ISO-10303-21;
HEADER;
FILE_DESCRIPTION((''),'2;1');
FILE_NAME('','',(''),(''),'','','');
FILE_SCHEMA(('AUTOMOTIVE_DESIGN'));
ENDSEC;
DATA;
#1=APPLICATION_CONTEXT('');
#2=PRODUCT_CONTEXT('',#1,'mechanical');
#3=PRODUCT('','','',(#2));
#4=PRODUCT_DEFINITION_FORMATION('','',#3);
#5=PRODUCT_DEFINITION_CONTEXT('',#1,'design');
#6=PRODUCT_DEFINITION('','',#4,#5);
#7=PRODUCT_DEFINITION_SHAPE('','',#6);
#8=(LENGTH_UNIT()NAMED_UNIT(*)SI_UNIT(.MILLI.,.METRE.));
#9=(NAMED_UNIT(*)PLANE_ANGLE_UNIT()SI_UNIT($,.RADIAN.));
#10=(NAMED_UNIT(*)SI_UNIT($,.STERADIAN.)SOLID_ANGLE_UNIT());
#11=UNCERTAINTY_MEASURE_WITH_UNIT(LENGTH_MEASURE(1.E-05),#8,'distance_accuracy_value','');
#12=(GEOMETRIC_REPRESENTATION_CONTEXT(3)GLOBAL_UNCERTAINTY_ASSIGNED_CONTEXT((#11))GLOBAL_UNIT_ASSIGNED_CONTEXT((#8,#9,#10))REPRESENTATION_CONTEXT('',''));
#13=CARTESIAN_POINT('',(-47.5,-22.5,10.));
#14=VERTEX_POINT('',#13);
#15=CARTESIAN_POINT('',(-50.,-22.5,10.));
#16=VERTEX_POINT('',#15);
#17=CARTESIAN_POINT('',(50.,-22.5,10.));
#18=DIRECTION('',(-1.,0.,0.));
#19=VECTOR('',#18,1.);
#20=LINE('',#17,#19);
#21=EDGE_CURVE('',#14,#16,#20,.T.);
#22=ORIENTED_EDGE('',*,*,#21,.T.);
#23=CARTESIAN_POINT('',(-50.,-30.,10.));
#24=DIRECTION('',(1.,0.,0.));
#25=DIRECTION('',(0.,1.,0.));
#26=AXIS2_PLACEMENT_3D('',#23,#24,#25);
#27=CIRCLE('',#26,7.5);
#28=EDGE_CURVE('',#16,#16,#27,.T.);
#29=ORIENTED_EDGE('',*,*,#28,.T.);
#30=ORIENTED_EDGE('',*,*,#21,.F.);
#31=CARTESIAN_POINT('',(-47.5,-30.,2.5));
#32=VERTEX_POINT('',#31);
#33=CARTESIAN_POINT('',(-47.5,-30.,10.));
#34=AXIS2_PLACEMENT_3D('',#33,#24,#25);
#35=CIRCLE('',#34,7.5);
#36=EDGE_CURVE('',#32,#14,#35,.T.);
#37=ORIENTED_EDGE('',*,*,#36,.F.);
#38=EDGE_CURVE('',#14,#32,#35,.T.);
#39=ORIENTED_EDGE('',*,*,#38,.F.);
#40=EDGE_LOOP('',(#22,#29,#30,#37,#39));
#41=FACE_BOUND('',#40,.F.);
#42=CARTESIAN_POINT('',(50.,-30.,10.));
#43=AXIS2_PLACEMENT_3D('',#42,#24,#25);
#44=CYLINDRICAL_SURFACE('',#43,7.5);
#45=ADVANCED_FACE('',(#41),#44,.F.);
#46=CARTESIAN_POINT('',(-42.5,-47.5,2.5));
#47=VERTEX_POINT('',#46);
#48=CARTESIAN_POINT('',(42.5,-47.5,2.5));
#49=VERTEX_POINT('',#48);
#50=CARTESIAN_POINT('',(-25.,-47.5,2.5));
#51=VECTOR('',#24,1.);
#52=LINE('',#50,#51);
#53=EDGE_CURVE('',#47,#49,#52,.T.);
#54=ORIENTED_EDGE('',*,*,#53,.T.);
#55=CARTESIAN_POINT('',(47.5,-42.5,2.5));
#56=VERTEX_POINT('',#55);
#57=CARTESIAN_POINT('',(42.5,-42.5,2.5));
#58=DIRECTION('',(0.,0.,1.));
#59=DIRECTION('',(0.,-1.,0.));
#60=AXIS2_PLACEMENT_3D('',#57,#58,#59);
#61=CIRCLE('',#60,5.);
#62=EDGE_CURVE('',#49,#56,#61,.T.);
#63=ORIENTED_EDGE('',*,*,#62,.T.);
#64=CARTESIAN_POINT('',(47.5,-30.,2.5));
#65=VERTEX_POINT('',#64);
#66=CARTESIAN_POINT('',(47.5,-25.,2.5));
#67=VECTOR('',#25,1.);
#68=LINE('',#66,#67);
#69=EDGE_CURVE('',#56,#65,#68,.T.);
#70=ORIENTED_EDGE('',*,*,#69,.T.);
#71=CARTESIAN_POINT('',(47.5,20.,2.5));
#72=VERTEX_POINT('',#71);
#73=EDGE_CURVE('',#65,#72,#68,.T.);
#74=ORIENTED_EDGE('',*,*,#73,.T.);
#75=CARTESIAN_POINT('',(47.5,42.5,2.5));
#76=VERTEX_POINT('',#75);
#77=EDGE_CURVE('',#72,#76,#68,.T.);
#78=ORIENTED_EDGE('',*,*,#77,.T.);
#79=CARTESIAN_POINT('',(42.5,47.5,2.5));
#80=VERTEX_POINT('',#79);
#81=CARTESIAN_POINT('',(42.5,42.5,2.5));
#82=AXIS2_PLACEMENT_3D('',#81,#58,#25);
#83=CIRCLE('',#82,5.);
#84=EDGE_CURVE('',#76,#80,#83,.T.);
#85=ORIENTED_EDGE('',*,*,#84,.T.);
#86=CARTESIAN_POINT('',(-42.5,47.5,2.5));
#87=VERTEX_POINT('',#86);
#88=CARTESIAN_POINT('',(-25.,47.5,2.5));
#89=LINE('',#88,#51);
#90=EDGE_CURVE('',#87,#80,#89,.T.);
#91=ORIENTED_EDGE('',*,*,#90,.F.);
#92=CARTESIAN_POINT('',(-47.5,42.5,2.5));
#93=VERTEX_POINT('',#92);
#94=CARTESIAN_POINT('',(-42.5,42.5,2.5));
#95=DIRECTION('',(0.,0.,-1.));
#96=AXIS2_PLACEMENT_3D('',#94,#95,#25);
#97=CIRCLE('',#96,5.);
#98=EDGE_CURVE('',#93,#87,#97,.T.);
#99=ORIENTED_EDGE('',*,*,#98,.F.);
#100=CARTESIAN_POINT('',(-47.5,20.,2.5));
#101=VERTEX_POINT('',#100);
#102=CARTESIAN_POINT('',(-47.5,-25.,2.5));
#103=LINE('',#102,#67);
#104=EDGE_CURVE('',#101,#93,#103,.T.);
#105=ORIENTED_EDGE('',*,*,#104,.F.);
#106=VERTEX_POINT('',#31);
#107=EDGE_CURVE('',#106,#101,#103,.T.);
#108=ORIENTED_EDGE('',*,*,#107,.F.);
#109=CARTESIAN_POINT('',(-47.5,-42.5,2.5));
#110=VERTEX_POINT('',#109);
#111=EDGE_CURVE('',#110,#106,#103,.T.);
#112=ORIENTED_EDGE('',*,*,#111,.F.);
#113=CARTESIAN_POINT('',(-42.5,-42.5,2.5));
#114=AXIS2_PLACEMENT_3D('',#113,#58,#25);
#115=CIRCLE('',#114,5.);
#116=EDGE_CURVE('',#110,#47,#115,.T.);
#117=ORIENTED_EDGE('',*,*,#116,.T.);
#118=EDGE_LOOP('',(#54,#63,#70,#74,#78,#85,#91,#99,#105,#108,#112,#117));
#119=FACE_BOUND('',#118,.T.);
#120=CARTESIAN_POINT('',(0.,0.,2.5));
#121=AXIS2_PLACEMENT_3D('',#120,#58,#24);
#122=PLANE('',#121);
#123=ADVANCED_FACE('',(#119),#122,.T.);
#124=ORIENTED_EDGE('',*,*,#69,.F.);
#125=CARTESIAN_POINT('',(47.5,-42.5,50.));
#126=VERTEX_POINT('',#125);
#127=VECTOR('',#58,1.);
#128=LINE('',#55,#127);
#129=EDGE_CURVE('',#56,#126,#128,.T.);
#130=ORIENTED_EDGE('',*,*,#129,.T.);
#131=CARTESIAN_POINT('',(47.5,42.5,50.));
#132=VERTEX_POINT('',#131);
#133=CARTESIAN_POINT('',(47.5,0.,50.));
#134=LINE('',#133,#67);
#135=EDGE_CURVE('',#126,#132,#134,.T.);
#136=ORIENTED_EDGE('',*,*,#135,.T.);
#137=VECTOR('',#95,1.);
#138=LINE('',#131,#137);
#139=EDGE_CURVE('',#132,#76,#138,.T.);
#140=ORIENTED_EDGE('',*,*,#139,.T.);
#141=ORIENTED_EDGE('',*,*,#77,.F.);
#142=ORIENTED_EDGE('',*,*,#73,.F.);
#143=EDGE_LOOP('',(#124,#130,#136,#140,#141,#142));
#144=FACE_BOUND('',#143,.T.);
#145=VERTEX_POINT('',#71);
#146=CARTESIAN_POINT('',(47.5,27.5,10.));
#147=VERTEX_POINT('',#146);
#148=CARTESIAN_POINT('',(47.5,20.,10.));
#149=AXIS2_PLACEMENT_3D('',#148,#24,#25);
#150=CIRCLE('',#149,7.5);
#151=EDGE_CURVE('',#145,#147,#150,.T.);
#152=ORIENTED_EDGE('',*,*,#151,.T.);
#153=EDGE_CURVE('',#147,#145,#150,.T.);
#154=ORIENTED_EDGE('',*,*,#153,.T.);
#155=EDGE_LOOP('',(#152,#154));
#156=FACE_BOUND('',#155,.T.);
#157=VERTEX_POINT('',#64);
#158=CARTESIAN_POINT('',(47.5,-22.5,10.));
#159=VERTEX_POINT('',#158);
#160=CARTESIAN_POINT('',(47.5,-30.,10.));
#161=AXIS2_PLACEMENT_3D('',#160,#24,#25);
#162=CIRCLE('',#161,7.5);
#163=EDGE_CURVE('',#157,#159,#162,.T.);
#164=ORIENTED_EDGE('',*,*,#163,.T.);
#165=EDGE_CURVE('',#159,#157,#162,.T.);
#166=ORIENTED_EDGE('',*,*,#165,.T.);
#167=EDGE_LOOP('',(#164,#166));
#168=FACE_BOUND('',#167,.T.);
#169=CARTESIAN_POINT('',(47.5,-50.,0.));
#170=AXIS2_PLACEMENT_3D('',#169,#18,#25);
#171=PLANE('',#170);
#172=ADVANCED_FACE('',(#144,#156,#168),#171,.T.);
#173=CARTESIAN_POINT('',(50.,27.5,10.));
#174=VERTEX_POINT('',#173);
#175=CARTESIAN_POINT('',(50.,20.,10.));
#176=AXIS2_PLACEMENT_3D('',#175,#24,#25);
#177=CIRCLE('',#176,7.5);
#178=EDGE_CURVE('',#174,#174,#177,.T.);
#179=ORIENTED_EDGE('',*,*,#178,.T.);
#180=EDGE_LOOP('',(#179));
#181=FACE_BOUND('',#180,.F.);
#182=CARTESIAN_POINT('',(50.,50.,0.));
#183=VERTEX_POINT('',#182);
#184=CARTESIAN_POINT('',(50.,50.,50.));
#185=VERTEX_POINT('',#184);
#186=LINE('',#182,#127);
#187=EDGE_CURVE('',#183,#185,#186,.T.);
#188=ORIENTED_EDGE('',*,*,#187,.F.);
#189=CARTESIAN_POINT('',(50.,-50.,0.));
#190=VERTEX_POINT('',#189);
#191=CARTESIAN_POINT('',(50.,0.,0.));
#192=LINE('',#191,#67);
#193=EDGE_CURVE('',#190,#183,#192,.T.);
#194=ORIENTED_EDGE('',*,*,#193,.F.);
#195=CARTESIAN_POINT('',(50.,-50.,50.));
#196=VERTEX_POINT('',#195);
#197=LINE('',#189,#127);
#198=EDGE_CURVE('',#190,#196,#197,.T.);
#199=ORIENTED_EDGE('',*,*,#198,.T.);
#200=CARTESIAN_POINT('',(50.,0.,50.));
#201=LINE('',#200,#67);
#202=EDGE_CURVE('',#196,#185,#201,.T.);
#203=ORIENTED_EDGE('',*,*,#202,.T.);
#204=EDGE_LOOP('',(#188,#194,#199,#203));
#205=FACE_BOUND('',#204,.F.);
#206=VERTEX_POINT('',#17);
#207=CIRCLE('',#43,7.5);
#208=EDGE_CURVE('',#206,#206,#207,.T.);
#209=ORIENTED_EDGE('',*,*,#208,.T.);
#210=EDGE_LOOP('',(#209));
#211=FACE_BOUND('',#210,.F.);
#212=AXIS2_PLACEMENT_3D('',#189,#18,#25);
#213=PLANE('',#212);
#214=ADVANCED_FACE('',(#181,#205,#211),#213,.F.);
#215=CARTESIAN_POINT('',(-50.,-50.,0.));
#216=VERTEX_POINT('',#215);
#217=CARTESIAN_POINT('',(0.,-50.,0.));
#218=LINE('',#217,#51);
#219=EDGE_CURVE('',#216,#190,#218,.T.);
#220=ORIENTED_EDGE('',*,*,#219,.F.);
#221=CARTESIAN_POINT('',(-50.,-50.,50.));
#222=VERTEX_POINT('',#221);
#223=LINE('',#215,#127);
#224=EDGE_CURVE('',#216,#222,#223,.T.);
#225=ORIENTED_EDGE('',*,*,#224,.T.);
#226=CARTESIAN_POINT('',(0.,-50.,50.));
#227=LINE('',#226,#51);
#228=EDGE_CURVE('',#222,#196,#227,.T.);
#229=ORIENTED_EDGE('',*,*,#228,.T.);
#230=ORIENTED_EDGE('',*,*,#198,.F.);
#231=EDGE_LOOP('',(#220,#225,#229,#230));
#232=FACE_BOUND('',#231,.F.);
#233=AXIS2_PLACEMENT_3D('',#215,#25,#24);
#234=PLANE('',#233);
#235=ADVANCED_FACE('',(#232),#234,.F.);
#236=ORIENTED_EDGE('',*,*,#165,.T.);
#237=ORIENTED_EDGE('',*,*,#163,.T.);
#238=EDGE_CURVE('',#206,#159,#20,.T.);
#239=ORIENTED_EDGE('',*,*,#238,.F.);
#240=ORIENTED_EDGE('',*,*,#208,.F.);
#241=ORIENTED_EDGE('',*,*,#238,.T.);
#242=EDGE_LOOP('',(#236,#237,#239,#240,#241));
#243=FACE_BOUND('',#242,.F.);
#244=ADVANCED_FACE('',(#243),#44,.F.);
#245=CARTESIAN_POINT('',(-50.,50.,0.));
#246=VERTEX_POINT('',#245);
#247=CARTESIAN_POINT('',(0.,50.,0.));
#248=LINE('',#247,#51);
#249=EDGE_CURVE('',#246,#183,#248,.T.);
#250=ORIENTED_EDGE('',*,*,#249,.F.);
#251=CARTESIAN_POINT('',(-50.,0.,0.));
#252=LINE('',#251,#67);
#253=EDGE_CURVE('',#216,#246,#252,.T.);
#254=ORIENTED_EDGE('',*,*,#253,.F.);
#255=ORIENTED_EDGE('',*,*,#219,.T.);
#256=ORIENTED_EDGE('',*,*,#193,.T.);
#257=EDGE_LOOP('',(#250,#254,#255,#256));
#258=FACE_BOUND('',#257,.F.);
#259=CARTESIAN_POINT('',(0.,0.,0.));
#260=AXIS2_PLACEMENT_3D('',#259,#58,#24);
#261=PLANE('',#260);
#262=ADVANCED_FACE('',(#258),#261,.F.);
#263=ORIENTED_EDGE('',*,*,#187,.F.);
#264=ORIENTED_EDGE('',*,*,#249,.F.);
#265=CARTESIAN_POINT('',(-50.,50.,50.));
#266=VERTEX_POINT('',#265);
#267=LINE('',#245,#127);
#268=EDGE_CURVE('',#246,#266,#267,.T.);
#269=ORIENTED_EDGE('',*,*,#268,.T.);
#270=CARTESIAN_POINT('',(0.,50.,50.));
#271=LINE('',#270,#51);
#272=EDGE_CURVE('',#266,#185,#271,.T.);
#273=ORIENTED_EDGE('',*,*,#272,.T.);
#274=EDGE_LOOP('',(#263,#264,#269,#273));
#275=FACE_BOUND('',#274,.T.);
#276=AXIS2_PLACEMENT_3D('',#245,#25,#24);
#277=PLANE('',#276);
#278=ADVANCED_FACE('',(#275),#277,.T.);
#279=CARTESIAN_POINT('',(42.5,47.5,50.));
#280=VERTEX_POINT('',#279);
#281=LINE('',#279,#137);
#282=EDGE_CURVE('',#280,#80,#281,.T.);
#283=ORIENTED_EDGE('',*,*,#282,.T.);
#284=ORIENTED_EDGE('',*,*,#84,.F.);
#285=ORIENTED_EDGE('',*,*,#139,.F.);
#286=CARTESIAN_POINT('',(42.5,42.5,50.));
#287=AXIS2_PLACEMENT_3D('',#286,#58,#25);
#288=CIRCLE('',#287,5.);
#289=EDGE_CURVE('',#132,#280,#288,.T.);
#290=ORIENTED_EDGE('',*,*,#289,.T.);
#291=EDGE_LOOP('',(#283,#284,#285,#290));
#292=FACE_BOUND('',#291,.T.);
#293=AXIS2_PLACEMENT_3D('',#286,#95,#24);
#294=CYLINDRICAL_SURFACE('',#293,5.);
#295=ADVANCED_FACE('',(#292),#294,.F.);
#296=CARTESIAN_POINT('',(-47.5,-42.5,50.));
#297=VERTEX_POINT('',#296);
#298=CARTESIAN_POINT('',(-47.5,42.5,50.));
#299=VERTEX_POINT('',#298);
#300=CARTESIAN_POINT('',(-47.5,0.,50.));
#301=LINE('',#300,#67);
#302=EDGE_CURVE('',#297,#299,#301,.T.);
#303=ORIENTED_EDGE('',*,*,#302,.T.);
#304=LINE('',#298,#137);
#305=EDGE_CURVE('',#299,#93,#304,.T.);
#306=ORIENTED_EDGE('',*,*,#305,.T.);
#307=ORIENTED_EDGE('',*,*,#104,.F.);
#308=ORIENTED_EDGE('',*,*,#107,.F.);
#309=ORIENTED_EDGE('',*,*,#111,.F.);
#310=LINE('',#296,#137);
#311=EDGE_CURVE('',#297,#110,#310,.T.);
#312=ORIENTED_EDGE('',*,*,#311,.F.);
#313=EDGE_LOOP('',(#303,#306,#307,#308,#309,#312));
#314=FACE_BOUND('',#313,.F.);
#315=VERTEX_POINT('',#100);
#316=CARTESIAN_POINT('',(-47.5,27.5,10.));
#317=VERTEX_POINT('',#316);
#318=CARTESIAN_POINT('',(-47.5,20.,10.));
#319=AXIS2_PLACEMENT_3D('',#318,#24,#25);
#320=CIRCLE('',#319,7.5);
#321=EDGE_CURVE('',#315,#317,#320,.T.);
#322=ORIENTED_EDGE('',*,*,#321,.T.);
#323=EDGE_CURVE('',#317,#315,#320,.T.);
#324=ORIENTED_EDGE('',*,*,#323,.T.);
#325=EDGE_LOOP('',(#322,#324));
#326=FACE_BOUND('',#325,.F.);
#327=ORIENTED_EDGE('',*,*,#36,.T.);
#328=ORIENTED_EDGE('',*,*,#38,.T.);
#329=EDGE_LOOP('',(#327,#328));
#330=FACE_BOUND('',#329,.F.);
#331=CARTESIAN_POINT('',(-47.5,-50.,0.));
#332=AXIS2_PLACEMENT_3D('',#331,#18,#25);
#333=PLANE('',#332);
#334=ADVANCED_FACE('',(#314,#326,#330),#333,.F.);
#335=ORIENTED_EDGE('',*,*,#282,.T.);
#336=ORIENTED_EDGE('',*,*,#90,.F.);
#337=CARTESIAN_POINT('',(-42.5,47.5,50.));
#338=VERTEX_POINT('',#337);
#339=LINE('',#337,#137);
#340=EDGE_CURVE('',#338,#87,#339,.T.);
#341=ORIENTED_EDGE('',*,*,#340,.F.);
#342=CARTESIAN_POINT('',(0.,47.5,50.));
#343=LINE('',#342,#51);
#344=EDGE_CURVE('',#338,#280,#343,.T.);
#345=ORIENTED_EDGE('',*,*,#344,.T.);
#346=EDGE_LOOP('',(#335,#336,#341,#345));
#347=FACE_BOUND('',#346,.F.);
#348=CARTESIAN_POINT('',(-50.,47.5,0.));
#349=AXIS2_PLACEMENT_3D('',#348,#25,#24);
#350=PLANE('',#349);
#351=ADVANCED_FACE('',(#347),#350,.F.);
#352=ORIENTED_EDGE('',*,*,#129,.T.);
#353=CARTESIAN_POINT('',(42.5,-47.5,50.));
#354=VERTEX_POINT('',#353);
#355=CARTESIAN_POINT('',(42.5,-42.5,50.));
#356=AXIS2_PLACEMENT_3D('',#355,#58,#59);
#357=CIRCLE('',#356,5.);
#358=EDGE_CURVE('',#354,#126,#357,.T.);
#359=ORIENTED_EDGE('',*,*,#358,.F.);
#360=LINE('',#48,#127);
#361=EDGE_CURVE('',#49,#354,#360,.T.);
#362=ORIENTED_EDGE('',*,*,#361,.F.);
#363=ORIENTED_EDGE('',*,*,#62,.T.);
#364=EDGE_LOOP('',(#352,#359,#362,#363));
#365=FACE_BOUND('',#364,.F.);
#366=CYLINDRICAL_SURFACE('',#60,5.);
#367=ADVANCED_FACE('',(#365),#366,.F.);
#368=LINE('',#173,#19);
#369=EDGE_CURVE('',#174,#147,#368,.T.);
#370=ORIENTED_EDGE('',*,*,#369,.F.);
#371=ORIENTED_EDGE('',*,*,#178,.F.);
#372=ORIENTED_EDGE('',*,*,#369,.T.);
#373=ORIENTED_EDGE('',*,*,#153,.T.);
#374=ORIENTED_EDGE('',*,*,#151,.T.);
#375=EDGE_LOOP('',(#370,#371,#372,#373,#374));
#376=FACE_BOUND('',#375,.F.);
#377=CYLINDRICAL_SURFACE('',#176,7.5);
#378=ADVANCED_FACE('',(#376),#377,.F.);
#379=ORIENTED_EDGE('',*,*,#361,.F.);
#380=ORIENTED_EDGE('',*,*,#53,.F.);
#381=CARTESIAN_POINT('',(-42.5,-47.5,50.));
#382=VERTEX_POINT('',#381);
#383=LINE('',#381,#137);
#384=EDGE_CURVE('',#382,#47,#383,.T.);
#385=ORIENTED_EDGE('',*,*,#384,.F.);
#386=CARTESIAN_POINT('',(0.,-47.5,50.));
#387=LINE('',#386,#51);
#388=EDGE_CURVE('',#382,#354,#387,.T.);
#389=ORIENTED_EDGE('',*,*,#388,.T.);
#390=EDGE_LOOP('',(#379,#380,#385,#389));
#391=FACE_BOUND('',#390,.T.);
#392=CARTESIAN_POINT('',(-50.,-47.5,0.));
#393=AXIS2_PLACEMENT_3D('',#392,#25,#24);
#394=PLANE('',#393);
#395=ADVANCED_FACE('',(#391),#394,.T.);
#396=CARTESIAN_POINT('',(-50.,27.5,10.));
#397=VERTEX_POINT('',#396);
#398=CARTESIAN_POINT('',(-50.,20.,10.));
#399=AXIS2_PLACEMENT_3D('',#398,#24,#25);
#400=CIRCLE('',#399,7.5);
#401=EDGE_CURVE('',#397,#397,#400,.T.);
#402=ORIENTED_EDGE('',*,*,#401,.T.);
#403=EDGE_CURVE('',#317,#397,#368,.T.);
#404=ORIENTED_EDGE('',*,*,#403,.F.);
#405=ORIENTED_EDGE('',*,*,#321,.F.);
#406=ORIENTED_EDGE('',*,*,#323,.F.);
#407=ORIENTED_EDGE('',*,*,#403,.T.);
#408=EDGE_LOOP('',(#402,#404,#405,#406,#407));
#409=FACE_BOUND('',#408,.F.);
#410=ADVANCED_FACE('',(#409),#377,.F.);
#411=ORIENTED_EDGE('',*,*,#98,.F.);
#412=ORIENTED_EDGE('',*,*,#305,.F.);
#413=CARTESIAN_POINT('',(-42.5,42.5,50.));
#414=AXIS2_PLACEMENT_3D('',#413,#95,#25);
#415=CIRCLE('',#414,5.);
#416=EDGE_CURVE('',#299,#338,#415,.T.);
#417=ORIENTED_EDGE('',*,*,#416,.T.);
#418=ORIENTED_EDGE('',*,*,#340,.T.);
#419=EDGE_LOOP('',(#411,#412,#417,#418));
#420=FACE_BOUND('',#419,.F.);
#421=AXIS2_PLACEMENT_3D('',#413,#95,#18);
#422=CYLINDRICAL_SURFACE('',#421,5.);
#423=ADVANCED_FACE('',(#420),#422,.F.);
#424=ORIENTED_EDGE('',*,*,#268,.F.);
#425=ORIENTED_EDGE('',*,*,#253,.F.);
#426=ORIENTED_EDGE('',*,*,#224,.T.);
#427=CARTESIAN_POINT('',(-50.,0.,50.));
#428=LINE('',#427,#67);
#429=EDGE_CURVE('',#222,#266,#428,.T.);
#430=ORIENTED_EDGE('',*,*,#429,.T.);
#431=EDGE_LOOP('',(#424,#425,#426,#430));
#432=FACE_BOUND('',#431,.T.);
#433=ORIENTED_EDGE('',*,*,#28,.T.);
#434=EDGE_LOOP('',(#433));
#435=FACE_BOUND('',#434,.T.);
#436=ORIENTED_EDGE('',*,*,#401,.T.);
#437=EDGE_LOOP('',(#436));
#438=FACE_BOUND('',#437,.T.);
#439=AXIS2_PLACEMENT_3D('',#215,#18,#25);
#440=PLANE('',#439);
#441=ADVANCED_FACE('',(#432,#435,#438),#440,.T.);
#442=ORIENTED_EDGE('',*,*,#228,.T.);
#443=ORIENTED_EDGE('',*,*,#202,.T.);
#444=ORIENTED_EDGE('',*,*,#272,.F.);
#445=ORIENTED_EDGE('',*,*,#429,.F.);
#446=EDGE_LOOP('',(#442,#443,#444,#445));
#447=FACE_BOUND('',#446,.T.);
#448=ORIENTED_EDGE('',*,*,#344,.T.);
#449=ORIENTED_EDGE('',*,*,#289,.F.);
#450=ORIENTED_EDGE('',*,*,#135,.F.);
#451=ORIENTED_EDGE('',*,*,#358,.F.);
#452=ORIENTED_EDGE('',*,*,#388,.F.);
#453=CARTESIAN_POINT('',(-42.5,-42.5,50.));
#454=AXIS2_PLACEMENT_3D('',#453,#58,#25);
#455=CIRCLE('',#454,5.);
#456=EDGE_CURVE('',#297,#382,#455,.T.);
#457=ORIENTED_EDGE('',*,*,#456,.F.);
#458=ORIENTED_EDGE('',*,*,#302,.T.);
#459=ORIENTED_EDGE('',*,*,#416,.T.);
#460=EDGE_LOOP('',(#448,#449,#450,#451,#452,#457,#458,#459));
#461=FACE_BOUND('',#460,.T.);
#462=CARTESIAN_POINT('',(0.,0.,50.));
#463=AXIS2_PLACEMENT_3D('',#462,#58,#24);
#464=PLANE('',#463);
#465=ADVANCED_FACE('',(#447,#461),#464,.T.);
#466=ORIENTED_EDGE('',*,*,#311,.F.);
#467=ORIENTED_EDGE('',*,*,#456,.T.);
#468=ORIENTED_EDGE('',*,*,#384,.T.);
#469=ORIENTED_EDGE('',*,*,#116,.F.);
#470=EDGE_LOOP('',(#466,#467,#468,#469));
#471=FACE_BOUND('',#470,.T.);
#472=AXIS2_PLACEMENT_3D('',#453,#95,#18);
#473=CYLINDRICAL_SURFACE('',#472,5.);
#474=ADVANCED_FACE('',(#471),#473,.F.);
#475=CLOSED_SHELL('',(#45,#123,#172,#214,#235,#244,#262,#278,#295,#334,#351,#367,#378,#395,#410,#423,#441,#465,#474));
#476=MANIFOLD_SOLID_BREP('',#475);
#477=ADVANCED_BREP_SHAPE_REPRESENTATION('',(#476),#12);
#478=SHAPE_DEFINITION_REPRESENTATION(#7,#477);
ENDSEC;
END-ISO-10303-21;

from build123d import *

# Parameters (mm, degrees)
F0_W     = 100
F0_H     = 100
F1_DEPTH = 50
F2_T     = -2.5
F3_R     = 5
F4_R     = 7.5
F5_DEPTH = 100.001


with BuildPart() as f1:
    # F0 (on Top) → F1 (new body)
    with BuildSketch(Plane.XY):
        Rectangle(F0_W, F0_H)
    extrude(amount=F1_DEPTH)

    # F2
    f2_openings = [f1.faces().sort_by_distance(p)[0] for p in [
        (0, 0, 50),
    ]]
    offset(amount=F2_T, openings=f2_openings)

    # F3
    f3_edges = [f1.edges().sort_by_distance(p)[0] for p in [
        (-47.5, 47.5, 26.25),
        (47.5, 47.5, 26.25),
        (-47.5, -47.5, 26.25),
        (47.5, -47.5, 26.25),
    ]]
    fillet(f3_edges, radius=F3_R)

    # F4 (on face) → F5 (cut, through all)
    with BuildSketch(Plane.YZ.offset(50)):
        with Locations((-30, 10)):
            Circle(F4_R)
        with Locations((20, 10)):
            Circle(F4_R)
    extrude(amount=-F5_DEPTH, mode=Mode.SUBTRACT)


solid = f1.part
